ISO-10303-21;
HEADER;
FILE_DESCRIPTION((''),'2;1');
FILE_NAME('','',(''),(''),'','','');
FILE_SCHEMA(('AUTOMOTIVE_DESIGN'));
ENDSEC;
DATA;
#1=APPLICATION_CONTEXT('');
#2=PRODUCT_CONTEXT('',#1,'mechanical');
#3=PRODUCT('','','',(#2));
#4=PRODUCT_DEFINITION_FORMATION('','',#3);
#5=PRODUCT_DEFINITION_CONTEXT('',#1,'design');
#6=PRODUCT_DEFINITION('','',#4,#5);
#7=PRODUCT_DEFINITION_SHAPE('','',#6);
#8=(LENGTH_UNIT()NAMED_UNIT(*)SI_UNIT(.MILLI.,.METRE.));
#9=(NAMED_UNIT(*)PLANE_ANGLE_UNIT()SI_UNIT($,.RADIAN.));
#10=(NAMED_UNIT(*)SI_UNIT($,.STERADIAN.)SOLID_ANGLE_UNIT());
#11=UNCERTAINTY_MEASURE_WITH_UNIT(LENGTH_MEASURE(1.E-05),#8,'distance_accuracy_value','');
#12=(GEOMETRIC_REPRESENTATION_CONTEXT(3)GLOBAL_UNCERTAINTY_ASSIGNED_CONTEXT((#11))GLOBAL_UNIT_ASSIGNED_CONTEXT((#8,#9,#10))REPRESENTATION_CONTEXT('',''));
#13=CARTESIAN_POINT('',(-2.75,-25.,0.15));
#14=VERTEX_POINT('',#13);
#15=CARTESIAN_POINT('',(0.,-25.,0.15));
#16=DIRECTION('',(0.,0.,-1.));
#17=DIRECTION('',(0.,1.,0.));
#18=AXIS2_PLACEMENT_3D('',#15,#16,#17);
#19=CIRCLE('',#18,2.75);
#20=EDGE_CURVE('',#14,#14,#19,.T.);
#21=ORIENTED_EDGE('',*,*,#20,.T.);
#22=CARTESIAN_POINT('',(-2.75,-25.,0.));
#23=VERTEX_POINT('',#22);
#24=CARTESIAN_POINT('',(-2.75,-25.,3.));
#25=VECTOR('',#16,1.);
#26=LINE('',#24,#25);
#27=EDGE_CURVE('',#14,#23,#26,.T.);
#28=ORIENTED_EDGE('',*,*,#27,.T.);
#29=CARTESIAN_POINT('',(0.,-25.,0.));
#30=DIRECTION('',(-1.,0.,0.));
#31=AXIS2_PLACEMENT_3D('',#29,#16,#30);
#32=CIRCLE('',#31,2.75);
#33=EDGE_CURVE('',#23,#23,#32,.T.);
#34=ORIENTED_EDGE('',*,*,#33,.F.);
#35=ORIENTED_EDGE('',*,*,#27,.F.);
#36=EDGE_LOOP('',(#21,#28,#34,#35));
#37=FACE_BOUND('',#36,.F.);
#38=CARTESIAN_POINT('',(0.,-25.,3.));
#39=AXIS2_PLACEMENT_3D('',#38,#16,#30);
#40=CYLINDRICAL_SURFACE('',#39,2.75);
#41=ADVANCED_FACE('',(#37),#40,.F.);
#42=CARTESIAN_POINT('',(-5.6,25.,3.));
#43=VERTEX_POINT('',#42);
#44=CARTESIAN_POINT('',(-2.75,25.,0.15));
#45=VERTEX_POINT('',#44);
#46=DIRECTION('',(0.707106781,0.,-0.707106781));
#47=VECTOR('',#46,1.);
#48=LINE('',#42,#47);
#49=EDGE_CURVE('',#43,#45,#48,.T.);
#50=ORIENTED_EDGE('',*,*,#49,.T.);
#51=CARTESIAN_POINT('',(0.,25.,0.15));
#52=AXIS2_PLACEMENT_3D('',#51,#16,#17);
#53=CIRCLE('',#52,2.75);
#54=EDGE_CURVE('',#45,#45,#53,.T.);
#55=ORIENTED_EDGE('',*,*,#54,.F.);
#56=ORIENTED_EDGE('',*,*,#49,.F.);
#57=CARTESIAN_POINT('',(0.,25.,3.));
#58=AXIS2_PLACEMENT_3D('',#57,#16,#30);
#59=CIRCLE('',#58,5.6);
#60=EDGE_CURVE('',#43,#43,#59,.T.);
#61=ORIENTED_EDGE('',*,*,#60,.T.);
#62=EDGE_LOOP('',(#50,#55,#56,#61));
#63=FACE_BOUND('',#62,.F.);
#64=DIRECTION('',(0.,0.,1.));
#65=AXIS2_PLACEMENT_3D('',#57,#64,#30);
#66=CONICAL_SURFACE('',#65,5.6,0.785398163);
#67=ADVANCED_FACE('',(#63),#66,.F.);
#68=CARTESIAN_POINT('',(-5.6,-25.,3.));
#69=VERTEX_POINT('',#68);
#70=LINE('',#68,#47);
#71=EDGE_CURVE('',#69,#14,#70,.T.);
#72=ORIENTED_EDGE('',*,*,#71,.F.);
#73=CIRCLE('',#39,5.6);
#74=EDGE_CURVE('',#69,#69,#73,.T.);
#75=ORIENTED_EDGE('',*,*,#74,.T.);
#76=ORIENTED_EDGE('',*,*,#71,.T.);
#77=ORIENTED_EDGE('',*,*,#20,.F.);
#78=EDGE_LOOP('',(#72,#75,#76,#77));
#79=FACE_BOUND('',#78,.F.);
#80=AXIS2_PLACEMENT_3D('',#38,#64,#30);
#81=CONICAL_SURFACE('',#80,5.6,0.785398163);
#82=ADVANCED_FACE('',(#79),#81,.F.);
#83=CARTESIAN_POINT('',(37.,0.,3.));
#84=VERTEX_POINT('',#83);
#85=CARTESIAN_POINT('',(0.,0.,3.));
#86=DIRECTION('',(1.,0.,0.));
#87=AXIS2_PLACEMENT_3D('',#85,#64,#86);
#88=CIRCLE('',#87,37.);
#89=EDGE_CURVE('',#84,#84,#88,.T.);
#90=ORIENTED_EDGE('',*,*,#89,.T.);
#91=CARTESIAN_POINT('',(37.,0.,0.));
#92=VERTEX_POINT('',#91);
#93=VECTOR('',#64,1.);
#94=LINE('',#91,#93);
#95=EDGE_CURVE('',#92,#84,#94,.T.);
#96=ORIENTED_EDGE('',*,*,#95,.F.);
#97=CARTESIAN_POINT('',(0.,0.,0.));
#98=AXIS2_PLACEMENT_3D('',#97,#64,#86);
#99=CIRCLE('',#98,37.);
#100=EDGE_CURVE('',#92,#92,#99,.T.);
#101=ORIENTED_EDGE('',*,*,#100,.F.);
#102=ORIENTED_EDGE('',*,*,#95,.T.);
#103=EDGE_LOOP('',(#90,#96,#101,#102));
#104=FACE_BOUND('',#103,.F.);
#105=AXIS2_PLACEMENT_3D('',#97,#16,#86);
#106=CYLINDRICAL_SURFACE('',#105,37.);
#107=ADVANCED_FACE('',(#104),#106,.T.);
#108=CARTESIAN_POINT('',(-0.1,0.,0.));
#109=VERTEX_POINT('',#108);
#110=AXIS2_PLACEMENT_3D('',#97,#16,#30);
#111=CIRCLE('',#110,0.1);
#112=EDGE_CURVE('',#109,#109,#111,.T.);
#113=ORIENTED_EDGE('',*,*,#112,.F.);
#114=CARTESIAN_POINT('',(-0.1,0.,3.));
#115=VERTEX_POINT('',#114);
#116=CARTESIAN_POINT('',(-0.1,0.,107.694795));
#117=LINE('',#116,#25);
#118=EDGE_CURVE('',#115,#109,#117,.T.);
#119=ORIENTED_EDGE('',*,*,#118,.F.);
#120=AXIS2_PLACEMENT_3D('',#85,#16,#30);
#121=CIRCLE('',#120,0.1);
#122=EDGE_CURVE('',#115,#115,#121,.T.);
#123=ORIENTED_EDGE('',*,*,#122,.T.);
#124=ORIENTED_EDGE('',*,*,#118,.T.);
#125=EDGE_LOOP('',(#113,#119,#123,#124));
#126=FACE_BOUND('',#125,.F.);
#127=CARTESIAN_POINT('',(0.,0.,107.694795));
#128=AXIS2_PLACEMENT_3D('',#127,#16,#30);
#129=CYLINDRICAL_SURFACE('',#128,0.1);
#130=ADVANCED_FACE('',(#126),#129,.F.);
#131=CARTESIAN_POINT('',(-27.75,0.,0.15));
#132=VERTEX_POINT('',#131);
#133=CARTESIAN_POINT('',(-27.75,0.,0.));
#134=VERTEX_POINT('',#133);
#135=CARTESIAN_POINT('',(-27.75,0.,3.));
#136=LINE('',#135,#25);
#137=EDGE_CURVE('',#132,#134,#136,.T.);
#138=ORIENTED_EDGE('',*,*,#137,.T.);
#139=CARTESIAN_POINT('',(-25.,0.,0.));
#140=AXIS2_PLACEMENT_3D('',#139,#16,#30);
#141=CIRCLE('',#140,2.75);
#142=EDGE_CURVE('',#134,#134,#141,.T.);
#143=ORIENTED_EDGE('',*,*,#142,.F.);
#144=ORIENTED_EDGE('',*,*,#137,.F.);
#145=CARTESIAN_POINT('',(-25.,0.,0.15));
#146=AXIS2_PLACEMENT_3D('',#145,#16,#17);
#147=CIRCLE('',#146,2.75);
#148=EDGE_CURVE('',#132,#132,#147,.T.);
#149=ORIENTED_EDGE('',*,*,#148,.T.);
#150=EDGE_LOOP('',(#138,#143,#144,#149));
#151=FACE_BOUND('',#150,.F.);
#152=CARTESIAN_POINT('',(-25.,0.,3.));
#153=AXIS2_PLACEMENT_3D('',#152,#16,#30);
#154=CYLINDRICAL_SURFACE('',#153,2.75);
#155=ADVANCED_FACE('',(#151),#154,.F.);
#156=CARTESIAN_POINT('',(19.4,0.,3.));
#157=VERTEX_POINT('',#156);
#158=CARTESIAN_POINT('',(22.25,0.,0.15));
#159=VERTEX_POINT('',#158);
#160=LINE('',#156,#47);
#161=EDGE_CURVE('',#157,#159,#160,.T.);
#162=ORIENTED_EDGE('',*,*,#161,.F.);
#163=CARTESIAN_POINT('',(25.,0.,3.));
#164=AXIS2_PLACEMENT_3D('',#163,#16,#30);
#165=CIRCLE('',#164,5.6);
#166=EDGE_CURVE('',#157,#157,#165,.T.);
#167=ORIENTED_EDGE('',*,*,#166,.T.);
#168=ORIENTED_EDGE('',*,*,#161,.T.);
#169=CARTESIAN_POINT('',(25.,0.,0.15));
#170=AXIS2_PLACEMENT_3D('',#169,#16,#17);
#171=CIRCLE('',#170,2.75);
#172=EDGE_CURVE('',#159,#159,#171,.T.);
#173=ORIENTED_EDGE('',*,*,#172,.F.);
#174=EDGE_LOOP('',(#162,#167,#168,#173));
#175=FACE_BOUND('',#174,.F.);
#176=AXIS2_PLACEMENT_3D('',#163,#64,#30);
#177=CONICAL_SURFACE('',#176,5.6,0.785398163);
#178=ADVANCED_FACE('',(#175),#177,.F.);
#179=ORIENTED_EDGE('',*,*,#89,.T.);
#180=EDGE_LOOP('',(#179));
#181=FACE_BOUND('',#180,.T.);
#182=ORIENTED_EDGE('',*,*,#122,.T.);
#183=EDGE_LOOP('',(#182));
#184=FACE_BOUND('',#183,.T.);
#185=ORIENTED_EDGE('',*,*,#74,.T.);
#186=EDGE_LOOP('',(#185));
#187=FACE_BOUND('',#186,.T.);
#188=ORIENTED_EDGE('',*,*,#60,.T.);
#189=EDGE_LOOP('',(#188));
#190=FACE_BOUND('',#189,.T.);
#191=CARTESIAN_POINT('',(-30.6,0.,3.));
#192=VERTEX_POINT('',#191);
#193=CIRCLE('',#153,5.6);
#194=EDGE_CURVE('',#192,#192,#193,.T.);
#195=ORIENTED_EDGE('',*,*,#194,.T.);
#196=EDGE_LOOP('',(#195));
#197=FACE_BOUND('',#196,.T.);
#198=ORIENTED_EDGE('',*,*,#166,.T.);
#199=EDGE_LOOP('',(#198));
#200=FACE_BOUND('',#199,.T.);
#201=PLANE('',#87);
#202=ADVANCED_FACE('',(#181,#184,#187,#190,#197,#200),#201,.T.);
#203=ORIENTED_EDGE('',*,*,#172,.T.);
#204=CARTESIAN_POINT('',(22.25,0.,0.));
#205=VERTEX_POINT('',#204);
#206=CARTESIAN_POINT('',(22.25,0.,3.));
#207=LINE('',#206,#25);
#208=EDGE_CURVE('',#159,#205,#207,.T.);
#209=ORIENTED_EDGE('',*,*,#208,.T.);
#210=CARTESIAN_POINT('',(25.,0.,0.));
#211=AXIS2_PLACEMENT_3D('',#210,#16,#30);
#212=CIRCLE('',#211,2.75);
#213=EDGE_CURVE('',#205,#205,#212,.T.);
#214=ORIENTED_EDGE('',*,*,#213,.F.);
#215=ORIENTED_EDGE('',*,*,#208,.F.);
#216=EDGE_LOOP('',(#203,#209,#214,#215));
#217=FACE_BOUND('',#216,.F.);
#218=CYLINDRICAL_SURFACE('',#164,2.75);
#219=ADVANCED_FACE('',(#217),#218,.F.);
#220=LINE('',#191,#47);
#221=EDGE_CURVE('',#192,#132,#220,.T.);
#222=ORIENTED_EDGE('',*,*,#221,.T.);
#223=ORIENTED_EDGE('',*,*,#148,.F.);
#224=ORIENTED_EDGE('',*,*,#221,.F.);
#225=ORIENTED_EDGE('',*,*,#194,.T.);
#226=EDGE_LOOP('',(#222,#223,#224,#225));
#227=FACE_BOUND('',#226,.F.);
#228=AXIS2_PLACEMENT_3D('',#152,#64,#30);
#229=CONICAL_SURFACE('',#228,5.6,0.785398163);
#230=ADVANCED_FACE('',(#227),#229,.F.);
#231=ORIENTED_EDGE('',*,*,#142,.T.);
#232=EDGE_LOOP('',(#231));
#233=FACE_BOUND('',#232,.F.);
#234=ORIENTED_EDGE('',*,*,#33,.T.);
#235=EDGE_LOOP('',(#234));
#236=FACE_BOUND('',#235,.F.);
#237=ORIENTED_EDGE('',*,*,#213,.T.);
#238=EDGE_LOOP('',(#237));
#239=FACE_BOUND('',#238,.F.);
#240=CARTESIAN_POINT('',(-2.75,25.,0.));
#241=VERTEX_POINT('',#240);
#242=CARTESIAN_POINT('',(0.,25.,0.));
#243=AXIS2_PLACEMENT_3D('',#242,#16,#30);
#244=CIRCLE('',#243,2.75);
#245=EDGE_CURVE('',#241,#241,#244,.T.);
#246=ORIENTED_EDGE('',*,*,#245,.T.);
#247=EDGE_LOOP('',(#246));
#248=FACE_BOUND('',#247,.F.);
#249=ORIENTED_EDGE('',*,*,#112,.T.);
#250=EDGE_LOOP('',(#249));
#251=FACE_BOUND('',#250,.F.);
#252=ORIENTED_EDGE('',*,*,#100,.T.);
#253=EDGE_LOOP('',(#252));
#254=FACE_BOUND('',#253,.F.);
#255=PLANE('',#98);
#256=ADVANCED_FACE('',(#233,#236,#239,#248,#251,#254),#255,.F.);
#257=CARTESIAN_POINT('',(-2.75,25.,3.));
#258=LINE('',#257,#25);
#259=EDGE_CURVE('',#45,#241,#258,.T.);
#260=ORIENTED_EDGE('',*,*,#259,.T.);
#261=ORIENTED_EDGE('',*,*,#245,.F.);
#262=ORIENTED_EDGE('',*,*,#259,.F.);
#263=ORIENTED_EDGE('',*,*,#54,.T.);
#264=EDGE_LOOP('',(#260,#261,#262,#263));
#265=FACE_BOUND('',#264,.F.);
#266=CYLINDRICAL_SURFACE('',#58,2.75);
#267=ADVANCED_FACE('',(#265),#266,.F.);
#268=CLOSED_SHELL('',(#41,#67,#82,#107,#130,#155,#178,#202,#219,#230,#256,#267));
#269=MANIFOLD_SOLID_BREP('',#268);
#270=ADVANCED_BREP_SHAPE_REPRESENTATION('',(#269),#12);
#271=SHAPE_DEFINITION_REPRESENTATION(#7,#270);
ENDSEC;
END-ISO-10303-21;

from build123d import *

# Parameters (mm, degrees)
F0_R           = 37
F1_DEPTH       = 3
F3_D           = 5.5
F3_DEPTH       = 15
F3_CSINK_D     = 11.2
F3_CSINK_ANGLE = 90
F3_TIP         = 1.6523667023
F5_D           = 0.2


with BuildPart() as f1:
    # F0 (on Top) → F1 (new body)
    with BuildSketch(Plane.XY):
        Circle(F0_R)
    extrude(amount=F1_DEPTH)

    # F3
    with Locations(Plane.XY.offset(3)):
        with Locations((0, 25), (-25, 0), (0, -25), (25, 0)):
            CounterSinkHole(F3_D / 2, F3_CSINK_D / 2, depth=F3_DEPTH, counter_sink_angle=F3_CSINK_ANGLE)
            with Locations((0, 0, -(F3_DEPTH + F3_TIP / 2))):  # 118° drill point
                Cone(0, F3_D / 2, F3_TIP, mode=Mode.SUBTRACT)

    # F5 (through all)
    with Locations(Plane.XY.offset(3)):
        with Locations((0, 0)):
            Hole(F5_D / 2)


solid = f1.part
